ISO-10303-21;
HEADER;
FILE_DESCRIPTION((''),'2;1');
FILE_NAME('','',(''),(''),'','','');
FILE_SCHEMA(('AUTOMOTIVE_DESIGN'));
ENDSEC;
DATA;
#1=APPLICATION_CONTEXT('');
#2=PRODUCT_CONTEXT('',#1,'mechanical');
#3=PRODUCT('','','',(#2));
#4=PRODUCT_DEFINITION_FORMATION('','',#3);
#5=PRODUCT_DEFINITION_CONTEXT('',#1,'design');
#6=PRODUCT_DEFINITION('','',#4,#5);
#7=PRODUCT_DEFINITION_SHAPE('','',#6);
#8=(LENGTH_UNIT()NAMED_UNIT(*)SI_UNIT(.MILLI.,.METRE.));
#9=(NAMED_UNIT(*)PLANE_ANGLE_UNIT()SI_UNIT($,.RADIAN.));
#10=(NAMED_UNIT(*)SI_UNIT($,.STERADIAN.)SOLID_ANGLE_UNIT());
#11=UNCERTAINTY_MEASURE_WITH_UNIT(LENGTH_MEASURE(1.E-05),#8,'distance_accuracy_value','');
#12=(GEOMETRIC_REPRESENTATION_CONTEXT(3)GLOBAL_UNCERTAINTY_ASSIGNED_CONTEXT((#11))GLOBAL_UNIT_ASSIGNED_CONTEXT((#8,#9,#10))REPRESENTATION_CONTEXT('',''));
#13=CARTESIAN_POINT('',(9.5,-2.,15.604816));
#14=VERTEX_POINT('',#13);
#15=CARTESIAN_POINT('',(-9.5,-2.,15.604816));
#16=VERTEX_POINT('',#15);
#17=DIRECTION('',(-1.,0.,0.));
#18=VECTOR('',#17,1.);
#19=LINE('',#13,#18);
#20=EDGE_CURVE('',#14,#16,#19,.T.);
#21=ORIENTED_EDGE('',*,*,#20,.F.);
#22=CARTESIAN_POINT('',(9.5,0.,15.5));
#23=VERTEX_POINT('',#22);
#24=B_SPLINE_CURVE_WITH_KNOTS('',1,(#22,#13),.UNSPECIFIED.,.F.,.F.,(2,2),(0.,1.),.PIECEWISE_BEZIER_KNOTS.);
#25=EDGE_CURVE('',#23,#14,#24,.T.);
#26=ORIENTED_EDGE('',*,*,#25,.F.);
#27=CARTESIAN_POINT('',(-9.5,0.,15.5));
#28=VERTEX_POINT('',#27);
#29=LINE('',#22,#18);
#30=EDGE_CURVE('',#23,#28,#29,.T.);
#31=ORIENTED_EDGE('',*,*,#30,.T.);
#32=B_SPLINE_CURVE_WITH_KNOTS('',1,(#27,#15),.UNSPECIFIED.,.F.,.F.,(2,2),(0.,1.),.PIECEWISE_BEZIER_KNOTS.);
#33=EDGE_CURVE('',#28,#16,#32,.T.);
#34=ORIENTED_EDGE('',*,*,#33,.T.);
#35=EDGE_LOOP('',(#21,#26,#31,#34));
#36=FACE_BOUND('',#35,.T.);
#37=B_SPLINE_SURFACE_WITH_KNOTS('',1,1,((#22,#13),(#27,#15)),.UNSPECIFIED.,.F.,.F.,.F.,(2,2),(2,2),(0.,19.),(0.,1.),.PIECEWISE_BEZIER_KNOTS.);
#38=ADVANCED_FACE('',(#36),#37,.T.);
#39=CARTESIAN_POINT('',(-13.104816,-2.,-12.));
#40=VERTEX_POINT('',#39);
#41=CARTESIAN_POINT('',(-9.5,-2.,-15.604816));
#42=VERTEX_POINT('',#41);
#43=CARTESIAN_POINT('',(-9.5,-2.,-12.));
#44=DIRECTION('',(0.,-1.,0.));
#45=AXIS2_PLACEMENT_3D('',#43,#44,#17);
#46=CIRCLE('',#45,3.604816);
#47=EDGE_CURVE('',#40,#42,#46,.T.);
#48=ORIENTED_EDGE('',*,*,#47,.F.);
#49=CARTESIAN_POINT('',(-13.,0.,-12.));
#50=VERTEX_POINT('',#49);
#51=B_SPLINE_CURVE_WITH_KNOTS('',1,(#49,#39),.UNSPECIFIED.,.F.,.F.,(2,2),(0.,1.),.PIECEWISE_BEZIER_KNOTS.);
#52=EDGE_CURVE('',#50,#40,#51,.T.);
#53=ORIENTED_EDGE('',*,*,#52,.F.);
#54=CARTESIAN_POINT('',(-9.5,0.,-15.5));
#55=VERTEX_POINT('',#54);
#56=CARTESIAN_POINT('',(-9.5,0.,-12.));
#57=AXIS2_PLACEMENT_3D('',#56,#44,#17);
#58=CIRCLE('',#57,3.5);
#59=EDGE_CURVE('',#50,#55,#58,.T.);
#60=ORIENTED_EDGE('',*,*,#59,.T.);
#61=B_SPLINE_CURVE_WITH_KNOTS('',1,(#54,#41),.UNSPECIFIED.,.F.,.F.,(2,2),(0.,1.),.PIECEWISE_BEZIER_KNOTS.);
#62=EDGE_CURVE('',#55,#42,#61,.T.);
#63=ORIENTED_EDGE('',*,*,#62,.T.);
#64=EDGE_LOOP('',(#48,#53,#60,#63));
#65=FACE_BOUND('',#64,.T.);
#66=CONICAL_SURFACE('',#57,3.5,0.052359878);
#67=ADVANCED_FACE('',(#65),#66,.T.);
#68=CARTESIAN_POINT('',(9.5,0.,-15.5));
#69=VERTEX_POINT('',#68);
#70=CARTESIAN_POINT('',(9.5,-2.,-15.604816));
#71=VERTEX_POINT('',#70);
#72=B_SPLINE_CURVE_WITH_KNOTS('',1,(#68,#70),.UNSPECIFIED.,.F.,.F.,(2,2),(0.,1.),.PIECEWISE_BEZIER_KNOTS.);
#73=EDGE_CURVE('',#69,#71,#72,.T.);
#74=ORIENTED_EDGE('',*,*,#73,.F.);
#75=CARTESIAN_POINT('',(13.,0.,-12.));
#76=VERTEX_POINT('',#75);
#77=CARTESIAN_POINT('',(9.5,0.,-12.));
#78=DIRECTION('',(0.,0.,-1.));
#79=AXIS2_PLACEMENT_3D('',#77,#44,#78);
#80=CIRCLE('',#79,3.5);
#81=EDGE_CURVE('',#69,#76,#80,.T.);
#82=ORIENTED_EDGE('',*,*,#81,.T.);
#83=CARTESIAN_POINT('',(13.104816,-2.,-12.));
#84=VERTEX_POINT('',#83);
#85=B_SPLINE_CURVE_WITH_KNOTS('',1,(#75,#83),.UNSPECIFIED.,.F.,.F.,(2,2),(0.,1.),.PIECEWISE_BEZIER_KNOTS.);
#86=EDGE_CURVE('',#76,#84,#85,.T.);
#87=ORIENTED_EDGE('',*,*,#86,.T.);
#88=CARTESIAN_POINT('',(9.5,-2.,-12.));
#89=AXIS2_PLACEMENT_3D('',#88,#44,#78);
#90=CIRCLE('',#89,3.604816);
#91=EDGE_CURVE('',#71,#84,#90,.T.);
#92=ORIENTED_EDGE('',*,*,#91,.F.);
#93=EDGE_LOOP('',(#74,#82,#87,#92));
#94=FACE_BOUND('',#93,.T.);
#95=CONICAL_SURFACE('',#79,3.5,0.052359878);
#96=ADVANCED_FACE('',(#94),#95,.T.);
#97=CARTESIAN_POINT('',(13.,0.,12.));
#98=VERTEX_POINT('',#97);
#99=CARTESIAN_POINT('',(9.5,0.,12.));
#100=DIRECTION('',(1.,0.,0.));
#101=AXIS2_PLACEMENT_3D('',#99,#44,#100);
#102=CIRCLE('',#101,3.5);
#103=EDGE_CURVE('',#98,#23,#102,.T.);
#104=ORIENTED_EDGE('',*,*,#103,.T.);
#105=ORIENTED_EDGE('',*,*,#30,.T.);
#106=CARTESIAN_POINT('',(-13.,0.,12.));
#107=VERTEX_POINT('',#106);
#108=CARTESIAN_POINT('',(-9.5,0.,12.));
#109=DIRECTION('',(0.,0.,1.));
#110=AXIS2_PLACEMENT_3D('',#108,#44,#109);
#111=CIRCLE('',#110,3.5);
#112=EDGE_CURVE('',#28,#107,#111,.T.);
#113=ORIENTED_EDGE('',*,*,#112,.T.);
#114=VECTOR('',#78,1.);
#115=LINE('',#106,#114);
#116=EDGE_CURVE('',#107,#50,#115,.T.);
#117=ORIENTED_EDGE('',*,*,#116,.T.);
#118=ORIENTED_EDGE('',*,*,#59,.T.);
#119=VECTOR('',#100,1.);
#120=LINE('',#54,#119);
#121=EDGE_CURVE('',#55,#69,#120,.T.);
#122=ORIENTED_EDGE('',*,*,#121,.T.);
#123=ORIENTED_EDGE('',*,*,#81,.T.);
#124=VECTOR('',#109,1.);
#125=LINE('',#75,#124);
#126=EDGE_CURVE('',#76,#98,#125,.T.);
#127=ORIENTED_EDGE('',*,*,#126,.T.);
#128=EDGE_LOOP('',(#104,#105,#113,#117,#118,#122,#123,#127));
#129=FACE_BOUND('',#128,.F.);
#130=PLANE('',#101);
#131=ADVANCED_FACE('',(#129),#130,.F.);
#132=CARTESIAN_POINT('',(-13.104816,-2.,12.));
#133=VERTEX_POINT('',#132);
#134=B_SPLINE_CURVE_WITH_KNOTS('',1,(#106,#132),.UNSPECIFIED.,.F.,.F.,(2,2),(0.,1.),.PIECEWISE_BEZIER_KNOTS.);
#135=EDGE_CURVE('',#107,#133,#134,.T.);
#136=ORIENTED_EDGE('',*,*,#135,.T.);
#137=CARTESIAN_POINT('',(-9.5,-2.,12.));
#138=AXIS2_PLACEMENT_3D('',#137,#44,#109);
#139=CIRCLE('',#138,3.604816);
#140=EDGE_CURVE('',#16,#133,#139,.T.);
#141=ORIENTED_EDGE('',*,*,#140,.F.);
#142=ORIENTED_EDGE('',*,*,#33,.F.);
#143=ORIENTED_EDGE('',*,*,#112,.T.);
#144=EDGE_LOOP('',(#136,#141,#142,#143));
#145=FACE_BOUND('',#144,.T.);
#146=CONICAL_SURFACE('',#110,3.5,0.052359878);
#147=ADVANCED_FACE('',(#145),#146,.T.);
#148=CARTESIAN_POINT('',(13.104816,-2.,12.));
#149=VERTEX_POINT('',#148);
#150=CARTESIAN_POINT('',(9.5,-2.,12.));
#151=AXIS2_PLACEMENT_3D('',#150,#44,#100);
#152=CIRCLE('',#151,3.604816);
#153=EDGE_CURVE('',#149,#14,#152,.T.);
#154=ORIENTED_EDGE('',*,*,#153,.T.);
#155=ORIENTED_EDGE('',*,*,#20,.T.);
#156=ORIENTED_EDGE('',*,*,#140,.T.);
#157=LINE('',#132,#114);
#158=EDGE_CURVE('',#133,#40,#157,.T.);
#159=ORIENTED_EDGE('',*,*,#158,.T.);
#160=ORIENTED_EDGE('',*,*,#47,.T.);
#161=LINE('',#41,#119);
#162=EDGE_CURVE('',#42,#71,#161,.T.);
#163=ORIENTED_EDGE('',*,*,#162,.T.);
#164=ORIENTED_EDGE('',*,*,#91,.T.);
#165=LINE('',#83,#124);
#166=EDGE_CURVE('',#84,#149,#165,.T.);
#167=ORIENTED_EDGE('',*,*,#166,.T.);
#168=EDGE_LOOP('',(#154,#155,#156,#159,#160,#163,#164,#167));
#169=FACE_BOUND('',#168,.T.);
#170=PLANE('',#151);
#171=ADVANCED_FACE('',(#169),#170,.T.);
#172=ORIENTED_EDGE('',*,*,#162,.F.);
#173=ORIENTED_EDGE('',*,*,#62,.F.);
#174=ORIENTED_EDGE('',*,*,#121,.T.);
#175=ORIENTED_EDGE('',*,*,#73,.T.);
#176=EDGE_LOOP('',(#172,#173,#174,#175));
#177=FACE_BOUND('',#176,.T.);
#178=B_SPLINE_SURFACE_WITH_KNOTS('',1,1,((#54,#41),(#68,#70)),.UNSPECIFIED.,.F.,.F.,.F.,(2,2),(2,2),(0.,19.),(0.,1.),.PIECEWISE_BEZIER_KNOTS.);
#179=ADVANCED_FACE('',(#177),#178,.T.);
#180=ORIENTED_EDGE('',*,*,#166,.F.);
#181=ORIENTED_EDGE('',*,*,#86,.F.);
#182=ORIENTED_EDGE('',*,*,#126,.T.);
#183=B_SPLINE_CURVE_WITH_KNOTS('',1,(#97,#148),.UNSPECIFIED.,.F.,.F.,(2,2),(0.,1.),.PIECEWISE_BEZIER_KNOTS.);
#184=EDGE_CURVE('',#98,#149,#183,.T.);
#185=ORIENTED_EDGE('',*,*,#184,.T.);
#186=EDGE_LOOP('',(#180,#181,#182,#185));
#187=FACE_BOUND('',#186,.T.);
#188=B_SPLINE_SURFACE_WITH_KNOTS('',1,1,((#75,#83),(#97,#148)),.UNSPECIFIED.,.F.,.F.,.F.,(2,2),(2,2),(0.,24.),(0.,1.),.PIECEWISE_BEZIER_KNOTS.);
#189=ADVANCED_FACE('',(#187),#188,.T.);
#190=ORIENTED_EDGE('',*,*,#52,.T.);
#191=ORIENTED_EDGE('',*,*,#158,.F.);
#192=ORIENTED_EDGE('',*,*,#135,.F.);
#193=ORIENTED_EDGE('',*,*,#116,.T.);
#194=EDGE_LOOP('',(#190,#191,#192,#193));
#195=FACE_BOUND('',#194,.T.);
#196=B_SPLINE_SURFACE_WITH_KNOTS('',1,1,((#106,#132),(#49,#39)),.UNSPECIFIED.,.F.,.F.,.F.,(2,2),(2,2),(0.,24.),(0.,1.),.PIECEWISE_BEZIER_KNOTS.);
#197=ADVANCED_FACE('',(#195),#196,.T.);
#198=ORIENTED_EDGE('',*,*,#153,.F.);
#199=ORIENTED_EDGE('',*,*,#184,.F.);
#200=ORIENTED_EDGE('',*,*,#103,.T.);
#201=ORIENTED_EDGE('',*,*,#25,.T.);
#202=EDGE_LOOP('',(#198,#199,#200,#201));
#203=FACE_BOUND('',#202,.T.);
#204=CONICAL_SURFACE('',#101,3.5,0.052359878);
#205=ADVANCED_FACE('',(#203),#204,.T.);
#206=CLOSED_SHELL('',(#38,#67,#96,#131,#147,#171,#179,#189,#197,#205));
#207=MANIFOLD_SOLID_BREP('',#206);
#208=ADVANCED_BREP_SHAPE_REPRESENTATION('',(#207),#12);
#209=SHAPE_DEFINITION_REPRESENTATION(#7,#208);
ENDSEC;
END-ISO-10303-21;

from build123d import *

# Parameters (mm, degrees)
F1_DEPTH = 2
F1_TAPER = -3


with BuildPart() as f1:
    # F0 (on Front) → F1 (new body)
    with BuildSketch(Plane.XZ):
        with BuildLine():
            ThreePointArc((13, 12), (11.9748737342, 14.4748737342), (9.5, 15.5))
            Line((9.5, 15.5), (-9.5, 15.5))
            ThreePointArc((-9.5, 15.5), (-11.9748737342, 14.4748737342), (-13, 12))
            Line((-13, 12), (-13, -12))
            ThreePointArc((-13, -12), (-11.9748737342, -14.4748737342), (-9.5, -15.5))
            Line((-9.5, -15.5), (9.5, -15.5))
            ThreePointArc((9.5, -15.5), (11.9748737342, -14.4748737342), (13, -12))
            Line((13, -12), (13, 12))
        make_face()
    extrude(amount=F1_DEPTH, taper=F1_TAPER)


solid = f1.part
